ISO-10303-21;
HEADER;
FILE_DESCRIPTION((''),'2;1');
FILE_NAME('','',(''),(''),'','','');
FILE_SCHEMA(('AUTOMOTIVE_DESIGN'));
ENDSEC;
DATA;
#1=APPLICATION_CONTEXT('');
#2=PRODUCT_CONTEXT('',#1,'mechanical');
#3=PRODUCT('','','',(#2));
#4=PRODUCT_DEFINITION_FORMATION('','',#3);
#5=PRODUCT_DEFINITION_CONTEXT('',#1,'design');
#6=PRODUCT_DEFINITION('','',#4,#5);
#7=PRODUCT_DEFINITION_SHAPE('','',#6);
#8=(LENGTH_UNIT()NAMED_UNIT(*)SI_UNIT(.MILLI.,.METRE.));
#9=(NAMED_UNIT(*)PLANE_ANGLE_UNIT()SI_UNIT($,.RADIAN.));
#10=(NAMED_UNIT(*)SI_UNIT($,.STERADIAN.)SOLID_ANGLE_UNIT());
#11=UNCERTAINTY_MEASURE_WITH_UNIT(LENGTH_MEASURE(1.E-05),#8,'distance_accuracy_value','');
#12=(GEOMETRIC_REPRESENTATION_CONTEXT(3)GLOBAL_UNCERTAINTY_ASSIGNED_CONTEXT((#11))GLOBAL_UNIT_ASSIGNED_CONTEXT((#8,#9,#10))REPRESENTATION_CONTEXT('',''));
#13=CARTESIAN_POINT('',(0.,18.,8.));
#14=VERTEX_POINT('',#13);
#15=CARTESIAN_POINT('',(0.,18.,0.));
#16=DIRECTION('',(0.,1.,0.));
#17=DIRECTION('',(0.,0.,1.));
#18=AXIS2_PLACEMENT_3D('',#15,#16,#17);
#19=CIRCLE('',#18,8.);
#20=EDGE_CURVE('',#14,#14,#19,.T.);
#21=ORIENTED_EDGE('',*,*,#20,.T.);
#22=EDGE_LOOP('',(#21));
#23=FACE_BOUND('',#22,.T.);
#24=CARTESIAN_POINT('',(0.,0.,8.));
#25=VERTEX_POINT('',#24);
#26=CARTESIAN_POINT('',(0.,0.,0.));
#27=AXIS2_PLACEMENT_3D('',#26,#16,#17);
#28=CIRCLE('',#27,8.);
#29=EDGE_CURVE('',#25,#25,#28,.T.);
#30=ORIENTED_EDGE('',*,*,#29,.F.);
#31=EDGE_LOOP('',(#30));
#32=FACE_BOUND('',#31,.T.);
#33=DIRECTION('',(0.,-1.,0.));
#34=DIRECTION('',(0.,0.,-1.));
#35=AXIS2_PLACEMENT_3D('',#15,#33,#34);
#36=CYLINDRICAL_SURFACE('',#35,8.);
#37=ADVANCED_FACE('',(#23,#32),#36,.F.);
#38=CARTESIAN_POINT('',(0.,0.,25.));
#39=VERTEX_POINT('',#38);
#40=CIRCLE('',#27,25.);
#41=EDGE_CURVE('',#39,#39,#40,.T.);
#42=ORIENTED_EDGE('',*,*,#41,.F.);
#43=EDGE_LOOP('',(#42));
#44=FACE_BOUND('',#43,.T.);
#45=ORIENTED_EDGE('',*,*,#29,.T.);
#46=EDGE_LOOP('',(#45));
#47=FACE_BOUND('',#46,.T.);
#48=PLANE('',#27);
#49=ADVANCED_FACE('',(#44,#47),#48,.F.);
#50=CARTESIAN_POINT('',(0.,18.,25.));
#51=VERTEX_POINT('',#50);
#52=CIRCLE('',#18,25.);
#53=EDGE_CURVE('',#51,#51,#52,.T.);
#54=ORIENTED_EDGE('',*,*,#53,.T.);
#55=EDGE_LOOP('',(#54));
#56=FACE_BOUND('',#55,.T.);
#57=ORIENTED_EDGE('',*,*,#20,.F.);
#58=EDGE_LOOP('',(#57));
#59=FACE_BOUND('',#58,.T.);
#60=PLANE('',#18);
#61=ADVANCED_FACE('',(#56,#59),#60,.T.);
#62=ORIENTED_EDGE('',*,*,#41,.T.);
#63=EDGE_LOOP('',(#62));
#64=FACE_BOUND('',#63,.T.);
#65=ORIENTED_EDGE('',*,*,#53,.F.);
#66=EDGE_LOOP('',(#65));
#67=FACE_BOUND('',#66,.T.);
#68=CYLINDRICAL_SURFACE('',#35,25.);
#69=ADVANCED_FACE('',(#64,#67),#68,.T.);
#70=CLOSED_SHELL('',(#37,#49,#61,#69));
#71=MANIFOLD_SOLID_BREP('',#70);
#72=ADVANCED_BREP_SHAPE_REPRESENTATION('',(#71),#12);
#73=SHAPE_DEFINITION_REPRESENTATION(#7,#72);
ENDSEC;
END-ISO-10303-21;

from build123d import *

# Parameters (mm, degrees)
SKETCH_1_R      = 25
SKETCH_1_R_2    = 8
EXTRUDE_1_DEPTH = 18


with BuildPart() as part:
    # 草图1 → 凸台-拉伸1 (new body)
    with BuildSketch(Plane(origin=(0, 0, 0), x_dir=(1, 0, 0), z_dir=(0, 1, 0))):
        Circle(SKETCH_1_R)
        Circle(SKETCH_1_R_2, mode=Mode.SUBTRACT)
    extrude(amount=EXTRUDE_1_DEPTH)


solid = part.part
